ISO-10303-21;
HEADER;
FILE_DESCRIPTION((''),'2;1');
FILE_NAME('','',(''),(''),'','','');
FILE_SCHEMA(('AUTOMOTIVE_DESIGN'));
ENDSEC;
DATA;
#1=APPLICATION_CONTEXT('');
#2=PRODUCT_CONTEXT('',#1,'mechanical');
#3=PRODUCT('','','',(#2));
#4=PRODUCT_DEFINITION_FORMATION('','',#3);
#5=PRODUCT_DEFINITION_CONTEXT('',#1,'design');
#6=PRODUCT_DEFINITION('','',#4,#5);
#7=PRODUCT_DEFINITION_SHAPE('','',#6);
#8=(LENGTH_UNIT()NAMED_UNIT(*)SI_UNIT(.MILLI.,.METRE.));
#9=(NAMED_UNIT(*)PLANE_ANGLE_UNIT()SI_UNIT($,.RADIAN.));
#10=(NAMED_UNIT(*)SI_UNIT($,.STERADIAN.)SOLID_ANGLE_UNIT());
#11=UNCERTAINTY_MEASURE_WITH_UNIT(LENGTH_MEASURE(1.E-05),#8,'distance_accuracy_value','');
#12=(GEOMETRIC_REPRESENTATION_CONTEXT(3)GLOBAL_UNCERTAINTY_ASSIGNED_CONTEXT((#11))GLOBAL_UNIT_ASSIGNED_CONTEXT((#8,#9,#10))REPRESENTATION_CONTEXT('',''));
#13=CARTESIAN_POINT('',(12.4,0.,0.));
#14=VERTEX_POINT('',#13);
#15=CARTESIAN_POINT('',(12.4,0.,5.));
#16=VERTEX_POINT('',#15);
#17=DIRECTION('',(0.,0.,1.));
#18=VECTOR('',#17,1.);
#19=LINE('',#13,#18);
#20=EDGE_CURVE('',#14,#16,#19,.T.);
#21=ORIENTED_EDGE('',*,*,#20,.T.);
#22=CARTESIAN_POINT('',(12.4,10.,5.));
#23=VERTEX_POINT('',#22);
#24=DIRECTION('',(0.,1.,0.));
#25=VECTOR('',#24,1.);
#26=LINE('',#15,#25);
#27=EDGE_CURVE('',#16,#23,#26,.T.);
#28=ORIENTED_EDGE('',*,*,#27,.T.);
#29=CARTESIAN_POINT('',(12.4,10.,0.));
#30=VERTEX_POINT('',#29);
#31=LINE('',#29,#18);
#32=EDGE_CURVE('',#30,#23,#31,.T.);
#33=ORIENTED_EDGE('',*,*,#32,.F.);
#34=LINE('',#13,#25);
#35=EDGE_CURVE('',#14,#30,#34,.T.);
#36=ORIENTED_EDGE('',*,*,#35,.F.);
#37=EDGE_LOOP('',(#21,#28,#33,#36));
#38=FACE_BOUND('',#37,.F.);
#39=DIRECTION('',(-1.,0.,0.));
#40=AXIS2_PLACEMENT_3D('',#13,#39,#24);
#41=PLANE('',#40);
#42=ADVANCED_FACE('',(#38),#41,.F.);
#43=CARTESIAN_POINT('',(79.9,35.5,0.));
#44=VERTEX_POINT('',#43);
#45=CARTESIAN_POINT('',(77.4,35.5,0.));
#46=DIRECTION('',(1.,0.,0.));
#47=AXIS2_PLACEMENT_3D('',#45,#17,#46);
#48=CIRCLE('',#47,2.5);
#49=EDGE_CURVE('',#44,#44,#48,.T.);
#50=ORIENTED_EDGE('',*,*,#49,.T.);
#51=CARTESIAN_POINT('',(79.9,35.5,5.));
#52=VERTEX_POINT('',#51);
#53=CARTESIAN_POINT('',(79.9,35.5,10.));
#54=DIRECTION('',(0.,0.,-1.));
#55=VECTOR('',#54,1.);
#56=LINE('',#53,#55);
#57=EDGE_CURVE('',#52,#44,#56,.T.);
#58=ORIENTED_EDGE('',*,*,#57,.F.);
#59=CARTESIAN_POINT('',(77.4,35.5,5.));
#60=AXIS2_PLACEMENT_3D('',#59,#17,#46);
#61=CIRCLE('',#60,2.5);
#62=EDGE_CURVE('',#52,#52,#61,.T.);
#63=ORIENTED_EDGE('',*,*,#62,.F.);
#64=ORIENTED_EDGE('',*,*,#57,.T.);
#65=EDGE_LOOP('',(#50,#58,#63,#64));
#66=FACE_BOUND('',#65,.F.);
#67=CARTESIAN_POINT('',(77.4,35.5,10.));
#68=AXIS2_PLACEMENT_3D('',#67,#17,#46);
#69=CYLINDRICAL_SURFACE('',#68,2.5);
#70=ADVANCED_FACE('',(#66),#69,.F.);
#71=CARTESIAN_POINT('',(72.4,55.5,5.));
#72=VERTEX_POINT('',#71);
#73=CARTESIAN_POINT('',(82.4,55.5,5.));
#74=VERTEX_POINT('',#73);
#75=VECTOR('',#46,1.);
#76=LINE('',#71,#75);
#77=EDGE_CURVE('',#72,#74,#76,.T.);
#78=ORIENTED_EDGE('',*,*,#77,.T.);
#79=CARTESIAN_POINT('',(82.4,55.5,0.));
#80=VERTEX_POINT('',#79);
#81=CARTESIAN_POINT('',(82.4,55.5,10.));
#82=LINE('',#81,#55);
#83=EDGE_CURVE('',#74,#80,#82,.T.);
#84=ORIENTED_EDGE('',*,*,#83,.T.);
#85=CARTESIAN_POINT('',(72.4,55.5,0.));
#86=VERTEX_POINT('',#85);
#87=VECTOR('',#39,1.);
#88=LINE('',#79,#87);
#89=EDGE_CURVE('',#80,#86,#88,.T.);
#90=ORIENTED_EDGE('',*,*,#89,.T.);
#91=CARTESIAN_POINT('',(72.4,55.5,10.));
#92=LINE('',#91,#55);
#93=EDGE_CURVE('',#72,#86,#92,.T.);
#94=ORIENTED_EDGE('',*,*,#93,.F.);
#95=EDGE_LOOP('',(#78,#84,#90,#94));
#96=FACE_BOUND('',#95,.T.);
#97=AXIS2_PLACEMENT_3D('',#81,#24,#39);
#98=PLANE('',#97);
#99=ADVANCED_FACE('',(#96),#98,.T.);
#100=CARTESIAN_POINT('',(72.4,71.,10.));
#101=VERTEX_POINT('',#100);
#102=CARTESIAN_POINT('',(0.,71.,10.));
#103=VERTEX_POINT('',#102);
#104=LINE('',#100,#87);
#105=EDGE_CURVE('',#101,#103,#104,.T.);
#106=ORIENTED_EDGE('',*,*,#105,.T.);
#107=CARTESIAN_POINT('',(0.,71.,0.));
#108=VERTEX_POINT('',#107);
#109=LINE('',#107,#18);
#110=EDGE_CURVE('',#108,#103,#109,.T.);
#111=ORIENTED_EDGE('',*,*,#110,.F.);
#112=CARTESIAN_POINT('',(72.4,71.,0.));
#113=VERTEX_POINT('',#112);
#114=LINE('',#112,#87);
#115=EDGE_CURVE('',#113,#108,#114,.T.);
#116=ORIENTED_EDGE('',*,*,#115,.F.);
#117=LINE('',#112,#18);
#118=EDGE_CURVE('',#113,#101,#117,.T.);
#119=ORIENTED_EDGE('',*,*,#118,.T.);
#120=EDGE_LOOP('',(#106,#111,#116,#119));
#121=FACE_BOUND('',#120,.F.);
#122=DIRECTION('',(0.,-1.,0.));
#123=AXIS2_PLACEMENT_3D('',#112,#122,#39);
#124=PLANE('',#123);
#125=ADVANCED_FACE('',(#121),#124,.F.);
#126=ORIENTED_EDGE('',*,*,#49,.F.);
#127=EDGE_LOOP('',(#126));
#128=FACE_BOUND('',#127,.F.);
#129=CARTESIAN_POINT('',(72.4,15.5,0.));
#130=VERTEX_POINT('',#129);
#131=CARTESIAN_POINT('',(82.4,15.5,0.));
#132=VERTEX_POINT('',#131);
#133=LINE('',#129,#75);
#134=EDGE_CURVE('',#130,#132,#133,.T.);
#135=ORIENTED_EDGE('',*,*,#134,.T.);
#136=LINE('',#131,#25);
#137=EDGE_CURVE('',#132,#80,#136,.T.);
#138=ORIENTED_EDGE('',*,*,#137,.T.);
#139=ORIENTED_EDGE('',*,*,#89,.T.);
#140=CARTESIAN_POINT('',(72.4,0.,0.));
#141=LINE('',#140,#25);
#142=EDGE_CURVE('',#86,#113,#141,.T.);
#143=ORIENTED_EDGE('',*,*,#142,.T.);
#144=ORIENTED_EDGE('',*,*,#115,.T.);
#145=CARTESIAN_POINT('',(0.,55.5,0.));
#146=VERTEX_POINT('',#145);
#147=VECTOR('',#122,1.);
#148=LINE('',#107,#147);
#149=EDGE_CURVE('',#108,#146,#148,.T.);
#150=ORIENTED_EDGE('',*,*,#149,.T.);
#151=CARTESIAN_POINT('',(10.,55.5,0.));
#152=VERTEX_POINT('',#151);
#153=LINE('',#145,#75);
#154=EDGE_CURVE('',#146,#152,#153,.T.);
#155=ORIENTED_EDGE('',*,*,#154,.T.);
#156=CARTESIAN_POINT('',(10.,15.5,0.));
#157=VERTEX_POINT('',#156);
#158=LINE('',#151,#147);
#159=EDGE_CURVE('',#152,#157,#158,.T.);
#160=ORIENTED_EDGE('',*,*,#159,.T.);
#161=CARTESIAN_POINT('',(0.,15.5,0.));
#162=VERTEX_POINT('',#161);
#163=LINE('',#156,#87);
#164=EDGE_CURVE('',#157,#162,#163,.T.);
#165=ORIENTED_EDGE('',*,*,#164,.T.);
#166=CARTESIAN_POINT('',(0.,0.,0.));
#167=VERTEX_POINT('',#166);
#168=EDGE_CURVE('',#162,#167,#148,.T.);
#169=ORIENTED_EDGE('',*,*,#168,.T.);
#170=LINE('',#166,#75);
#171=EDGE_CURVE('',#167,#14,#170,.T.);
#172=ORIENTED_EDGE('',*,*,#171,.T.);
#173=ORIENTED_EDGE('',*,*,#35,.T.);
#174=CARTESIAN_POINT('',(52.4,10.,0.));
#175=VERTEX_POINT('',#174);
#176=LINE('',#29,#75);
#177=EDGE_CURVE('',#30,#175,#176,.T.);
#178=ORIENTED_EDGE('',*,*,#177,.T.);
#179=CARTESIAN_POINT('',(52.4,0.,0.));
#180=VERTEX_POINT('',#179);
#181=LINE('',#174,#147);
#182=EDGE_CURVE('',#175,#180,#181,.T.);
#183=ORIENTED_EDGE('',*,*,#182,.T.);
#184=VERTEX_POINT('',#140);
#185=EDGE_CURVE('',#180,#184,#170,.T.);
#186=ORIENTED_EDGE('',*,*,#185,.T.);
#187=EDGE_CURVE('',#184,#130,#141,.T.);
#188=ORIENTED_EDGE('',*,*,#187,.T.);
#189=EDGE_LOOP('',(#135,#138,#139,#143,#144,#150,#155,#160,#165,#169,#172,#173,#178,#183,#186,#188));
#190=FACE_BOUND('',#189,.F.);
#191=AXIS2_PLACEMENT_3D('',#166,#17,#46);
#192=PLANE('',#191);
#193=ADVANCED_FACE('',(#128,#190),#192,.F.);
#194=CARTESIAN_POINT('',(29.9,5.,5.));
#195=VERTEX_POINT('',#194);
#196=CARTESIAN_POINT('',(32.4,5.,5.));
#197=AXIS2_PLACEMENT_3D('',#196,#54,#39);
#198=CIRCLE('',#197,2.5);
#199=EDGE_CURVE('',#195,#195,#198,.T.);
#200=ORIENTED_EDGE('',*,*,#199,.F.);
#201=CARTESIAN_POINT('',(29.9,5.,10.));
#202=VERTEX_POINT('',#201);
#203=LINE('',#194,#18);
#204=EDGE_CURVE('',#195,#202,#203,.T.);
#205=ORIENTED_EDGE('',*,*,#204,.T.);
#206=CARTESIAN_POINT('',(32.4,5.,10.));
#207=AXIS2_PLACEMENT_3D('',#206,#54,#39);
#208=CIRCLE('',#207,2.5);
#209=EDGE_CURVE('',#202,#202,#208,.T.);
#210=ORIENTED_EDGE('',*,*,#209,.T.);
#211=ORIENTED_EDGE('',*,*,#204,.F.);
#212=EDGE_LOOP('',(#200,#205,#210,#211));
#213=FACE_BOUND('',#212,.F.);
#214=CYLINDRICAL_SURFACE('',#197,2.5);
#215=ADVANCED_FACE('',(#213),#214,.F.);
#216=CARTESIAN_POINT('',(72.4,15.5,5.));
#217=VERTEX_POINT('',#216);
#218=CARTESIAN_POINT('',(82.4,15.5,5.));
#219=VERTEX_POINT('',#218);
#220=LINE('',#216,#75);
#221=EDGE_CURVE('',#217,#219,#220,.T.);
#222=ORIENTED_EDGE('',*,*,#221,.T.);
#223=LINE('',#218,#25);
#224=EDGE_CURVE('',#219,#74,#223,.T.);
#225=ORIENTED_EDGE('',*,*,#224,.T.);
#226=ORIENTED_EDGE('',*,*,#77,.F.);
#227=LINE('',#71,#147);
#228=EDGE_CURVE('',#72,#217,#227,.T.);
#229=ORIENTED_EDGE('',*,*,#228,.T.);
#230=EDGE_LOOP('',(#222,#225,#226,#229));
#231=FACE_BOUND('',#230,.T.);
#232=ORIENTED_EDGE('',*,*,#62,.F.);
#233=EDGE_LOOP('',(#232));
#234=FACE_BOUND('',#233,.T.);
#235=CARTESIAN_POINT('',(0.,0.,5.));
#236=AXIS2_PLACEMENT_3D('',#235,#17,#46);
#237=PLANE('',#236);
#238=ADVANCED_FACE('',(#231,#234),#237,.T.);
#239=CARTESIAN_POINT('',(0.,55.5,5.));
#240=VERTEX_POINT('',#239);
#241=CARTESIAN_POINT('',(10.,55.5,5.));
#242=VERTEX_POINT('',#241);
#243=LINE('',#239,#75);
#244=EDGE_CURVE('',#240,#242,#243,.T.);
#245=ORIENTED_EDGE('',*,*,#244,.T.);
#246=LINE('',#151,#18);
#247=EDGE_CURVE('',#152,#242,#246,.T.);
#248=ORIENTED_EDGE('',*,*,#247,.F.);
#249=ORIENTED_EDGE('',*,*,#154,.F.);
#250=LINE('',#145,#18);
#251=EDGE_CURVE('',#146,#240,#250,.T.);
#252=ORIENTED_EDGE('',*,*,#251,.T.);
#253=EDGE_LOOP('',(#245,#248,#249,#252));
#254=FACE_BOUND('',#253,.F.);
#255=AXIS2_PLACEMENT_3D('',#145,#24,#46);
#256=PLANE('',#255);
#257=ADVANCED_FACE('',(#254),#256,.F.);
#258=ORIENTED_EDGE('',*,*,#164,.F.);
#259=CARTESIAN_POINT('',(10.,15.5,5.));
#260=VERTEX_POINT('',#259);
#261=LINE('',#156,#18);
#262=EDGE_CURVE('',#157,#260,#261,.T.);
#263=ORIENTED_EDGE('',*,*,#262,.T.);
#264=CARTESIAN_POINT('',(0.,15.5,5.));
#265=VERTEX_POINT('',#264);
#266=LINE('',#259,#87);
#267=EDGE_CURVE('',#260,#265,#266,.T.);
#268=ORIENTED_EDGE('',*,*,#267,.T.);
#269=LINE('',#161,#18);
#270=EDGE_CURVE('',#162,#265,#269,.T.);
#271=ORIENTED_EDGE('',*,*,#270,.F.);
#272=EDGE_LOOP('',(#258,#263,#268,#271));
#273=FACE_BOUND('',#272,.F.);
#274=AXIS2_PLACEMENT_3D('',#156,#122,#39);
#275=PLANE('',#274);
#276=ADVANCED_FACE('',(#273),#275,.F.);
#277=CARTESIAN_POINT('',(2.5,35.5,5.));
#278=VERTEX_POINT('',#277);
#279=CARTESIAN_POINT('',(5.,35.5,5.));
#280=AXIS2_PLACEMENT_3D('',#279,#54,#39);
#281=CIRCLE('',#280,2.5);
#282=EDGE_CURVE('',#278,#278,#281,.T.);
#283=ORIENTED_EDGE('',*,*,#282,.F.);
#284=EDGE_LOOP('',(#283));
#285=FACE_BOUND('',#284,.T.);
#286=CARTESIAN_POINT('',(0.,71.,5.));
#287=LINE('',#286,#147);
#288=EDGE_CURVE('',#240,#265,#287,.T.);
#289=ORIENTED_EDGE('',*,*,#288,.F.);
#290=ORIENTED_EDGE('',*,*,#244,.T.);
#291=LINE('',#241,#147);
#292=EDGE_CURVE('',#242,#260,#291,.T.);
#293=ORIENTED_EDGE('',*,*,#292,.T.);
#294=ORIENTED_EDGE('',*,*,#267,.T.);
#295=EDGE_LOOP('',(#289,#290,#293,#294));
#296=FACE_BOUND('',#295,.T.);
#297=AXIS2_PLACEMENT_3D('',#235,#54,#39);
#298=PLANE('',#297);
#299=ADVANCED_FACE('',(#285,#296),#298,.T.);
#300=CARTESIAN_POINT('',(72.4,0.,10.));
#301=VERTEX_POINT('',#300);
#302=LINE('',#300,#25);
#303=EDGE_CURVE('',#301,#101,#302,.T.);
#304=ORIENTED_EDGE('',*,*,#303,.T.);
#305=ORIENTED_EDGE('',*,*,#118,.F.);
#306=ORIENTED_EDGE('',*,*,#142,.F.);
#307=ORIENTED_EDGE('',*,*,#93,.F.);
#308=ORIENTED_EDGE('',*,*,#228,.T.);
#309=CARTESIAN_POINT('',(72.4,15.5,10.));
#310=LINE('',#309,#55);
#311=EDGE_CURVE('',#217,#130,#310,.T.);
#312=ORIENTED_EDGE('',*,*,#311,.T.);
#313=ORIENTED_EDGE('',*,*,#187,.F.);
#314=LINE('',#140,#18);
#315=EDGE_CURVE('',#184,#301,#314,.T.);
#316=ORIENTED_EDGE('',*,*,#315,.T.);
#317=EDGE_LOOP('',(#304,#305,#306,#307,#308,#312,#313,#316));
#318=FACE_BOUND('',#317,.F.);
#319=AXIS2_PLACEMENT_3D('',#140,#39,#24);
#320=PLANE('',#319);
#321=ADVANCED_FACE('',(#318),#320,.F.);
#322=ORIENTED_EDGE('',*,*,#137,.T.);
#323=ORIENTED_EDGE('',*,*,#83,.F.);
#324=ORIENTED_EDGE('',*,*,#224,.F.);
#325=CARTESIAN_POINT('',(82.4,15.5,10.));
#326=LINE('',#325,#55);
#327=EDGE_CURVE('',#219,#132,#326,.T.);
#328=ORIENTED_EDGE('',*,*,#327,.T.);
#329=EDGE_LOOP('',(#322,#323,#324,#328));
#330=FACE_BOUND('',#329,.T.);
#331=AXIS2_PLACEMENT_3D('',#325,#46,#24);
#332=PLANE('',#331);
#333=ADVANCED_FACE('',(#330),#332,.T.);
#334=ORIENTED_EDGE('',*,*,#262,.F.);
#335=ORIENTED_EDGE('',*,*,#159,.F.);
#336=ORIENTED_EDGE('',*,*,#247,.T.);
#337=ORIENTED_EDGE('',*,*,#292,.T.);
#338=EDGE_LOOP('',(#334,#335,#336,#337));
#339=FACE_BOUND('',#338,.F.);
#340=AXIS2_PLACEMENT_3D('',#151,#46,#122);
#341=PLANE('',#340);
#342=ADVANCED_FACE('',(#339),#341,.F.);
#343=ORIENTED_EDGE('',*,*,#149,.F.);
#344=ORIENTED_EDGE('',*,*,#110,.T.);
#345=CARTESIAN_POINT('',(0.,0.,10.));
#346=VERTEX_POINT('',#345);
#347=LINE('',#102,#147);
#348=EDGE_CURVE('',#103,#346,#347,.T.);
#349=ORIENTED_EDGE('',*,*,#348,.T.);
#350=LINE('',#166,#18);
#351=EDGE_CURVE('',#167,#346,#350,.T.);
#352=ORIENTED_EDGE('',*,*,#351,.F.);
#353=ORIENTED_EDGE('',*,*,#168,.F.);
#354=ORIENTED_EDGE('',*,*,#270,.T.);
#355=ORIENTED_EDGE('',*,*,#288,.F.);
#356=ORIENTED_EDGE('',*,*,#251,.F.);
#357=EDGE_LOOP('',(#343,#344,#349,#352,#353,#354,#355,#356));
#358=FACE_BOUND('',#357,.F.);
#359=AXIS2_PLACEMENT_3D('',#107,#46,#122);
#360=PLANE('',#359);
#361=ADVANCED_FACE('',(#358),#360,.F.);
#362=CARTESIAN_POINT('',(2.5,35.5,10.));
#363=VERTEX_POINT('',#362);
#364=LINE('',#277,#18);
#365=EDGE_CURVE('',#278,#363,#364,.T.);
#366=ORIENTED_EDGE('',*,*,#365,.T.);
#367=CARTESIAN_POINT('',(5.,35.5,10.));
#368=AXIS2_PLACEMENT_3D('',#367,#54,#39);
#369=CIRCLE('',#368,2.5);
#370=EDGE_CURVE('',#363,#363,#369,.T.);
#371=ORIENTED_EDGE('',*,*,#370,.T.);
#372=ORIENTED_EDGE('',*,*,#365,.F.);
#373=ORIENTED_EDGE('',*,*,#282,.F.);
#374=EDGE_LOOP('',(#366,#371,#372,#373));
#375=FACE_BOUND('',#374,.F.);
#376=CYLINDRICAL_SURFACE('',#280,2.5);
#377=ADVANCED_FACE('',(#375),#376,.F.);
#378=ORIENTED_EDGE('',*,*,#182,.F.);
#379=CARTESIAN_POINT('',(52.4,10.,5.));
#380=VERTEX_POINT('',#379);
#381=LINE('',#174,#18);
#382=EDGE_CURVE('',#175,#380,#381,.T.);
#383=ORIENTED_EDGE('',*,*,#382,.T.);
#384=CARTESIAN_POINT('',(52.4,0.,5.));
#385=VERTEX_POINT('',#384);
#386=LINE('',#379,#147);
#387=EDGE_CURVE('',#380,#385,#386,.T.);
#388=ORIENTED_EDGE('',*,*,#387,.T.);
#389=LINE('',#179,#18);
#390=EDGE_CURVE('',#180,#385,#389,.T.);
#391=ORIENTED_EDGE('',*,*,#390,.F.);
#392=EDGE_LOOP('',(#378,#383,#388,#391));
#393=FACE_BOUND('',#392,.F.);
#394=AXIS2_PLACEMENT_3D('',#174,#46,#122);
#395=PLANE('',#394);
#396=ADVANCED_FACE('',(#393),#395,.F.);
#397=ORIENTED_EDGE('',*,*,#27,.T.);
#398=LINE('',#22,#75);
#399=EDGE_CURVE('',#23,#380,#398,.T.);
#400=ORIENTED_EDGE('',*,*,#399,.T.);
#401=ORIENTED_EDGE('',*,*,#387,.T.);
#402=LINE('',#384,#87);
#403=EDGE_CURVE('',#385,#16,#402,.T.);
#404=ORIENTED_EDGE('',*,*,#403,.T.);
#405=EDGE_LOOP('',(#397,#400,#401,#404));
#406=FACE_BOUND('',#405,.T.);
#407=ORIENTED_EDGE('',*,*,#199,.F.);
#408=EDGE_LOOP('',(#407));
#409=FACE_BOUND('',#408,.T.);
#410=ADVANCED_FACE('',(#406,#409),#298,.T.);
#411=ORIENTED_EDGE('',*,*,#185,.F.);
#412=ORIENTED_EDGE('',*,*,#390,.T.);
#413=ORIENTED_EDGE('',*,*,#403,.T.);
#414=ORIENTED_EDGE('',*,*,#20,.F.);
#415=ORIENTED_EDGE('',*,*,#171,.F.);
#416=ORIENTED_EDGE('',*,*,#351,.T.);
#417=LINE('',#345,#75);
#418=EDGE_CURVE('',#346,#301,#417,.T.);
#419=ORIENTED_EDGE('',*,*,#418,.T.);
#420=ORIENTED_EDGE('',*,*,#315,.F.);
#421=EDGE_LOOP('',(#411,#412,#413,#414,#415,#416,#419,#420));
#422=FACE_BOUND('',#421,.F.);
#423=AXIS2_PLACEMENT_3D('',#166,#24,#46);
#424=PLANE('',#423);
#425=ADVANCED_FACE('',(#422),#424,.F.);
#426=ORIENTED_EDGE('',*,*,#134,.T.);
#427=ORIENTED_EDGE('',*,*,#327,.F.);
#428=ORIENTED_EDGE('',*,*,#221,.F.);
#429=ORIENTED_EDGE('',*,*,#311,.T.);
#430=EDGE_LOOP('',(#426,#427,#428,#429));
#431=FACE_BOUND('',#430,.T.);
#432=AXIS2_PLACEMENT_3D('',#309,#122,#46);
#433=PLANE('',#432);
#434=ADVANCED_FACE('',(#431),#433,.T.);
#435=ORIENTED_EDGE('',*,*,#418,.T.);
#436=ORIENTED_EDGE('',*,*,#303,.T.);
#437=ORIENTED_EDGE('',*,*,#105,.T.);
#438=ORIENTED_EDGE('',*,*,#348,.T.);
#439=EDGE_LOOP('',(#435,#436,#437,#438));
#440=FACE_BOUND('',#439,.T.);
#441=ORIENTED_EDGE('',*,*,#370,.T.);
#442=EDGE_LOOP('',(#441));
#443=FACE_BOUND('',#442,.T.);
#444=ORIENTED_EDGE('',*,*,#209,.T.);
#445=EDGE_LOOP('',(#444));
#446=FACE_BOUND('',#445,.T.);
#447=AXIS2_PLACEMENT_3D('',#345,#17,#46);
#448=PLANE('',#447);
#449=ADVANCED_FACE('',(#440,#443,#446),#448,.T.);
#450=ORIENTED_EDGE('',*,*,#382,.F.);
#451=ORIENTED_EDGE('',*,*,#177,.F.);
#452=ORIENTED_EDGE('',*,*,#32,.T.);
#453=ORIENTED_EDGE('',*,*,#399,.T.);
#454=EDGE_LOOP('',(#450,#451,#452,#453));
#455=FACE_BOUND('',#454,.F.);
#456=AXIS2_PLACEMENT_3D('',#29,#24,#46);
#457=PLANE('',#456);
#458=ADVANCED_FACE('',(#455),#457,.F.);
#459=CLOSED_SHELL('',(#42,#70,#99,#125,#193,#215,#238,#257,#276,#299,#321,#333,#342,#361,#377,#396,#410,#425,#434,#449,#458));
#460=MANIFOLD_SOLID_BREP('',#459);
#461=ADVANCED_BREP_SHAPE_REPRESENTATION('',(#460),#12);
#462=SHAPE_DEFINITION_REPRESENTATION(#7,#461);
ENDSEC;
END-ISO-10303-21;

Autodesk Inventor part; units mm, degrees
ref_plane "YZ Plane" through (0, 0, 0) normal (1, 0, 0) x (0, 1, 0)
ref_plane "XZ Plane" through (0, 0, 0) normal (0, 1, 0) x (-1, 0, 0)
ref_plane "XY Plane" through (0, 0, 0) normal (0, 0, 1) x (1, 0, 0)
sketch "Sketch1" plane through (0, 0, 0) normal (0, 0, 1) x (1, 0, 0)
  line L0 (0, 0) -> (72.4, 0)
  line L1 (72.4, 0) -> (72.4, 71)
  line L2 (72.4, 71) -> (0, 71)
  line L3 (0, 71) -> (0, 0)
  dimension "d0" = 72.4
  dimension "d1" = 71
extrude "Extrusion1" add sketch "Sketch1" along normal blind 10
sketch "Sketch2" plane through (0, 0, 10) normal (0, 0, 1) x (1, 0, 0)
  line L0 (72.4, 0) -> (72.4, 71) projected
  line L1 (72.4, 15.5) -> (82.4, 15.5)
  line L2 (82.4, 15.5) -> (82.4, 55.5)
  line L3 (82.4, 55.5) -> (72.4, 55.5)
  line L4 (72.4, 55.5) -> (72.4, 15.5)
  line L5 (72.4, 71) -> (0, 71) projected
  circle A0 centre (77.4, 35.5) radius 2.5
  line L6 (0, 0) -> (72.4, 0) projected
  point P0 (82.4, 35.5)
  point P1 (77.4, 55.5)
  dimension "d4" = 10
  dimension "d5" = 40
  dimension "d7" = 5
  dimension "d31" = 15.5
extrude "Extrusion2" add sketch "Sketch2" against normal blind 10
sketch "Sketch3" plane through (0, 0, 10) normal (0, 0, 1) x (1, 0, 0)
  line L0 (72.4, 55.5) -> (82.4, 55.5) projected
  line L1 (72.4, 15.5) -> (82.4, 15.5) projected
  line L2 (82.4, 55.5) -> (72.4, 55.5)
  line L3 (72.4, 55.5) -> (72.4, 15.5)
  line L4 (72.4, 15.5) -> (82.4, 15.5)
  line L5 (82.4, 15.5) -> (82.4, 55.5)
  point P0 (0, 0)
extrude "Extrusion3" cut sketch "Sketch3" against normal blind 5
sketch "Sketch4" plane through (0, 0, 0) normal (0, 0, -1) x (-1, 0, 0)
  line L0 (0, 71) -> (0, 0) projected
  line L1 (0, 55.5) -> (-10, 55.5)
  line L2 (-10, 55.5) -> (-10, 15.5)
  line L3 (-10, 15.5) -> (0, 15.5)
  line L4 (0, 15.5) -> (0, 55.5)
  point P0 (-72.4, 55.5)
  dimension "d15" = 10
  dimension "d16" = 40
extrude "Extrusion4" cut sketch "Sketch4" against normal blind 5
sketch "Sketch5" plane through (0, 0, 5) normal (0, 0, -1) x (-1, 0, 0)
  circle A0 centre (-5, 35.5) radius 2.5
  line L0 (0, 55.5) -> (0, 15.5) projected
  line L1 (-10, 55.5) -> (0, 55.5) projected
  point P0 (0, 0)
  point P1 (0, 35.5)
  point P2 (-5, 55.5)
  dimension "d19" = 5
extrude "Extrusion5" cut sketch "Sketch5" against normal through all
sketch "Sketch8" plane through (0, 0, 0) normal (0, 0, -1) x (-1, 0, 0)
  line L0 (-12.4, 10) -> (-52.4, 10)
  line L1 (-52.4, 10) -> (-52.4, 0)
  line L2 (-52.4, 0) -> (-12.4, 0)
  line L3 (-12.4, 0) -> (-12.4, 10)
  line L4 (0, 0) -> (-72.4, 0) projected
  line L5 (-72.4, 0) -> (-72.4, 15.5) projected
  point P0 (-36.2, 0)
  dimension "d32" = 40
  dimension "d33" = 10
  dimension "d34" = 20
extrude "Extrusion8" cut sketch "Sketch8" against normal blind 5
sketch "Sketch9" plane through (0, 0, 5) normal (0, 0, -1) x (-1, 0, 0)
  line L0 (-52.4, 10) -> (-12.4, 10) construction
  line L1 (-52.4, 0) -> (-52.4, 10) construction
  line L2 (-12.4, 0) -> (-52.4, 0) construction
  line L3 (-12.4, 10) -> (-12.4, 0) construction
  circle A0 centre (-32.4, 5) radius 2.5
  point P0 (0, 0)
  point P1 (-32.4, 0)
  point P2 (-12.4, 5)
  dimension "d37" = 5
extrude "Extrusion9" cut sketch "Sketch9" against normal through all
properties part number "SP002" material "ABS Plastic"
